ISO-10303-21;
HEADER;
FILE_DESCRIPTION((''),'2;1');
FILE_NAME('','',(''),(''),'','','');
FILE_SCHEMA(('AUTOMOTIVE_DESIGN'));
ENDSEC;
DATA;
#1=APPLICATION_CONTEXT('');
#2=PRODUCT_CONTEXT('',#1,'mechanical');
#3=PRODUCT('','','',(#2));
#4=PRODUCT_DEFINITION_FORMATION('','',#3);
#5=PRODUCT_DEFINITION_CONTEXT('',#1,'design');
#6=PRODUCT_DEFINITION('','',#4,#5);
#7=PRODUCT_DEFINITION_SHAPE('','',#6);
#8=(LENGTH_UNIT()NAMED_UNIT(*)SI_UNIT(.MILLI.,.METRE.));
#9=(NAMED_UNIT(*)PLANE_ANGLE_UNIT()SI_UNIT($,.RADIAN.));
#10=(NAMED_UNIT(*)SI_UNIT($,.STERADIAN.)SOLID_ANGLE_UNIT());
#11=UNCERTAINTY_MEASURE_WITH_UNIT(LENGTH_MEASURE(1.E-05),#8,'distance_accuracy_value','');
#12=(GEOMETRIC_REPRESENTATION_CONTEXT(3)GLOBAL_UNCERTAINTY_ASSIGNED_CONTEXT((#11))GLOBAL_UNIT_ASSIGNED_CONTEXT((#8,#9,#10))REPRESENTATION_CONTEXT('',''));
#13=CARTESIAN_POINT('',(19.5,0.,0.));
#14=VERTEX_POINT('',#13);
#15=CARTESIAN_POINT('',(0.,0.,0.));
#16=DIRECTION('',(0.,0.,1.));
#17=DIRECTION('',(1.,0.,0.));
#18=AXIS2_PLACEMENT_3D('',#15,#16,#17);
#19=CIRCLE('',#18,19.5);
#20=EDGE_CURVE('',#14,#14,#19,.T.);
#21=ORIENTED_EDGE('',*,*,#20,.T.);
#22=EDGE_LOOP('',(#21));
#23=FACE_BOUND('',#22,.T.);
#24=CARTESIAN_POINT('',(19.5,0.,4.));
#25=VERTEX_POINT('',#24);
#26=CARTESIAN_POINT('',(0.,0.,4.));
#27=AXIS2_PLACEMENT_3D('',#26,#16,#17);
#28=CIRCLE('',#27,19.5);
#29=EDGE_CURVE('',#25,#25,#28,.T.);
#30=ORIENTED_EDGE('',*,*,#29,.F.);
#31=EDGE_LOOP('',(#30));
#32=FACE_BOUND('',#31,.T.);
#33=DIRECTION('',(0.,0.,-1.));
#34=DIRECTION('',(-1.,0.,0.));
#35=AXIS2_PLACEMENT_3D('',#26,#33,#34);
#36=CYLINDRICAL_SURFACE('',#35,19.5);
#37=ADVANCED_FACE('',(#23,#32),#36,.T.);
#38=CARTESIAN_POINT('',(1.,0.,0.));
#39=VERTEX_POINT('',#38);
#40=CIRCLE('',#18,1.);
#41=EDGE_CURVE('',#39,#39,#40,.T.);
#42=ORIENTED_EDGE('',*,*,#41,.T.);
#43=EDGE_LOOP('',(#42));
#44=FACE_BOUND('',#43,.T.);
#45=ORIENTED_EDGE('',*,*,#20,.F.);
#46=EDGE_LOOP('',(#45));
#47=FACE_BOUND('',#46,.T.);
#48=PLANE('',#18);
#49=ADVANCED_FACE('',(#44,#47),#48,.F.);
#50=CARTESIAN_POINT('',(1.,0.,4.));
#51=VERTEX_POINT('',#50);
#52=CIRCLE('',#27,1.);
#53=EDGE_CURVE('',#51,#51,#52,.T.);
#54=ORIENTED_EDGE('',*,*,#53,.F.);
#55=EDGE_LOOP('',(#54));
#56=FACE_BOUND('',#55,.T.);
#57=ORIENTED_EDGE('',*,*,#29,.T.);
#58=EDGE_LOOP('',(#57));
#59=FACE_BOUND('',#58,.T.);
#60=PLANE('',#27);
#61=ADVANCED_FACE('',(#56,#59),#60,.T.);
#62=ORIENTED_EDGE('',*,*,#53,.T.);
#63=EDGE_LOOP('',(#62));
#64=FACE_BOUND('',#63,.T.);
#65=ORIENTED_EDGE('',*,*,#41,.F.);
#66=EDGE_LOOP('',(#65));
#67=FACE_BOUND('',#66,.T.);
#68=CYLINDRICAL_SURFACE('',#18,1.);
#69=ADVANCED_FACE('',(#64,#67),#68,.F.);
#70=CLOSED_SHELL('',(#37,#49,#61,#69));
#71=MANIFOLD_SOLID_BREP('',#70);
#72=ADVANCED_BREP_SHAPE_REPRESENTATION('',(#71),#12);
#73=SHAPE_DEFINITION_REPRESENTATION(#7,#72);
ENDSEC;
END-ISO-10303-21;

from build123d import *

# Parameters (mm, degrees)
SKETCH_1_R          = 19.5
EXTRUDE_1_DEPTH     = 4
SKETCH_2_R          = 1
CUT_EXTRUDE_1_DEPTH = 5


with BuildPart() as part:
    # 草图1 → 凸台-拉伸1 (new body)
    with BuildSketch(Plane.XY):
        Circle(SKETCH_1_R)
    extrude(amount=EXTRUDE_1_DEPTH)

    # 草图2 → 切除-拉伸1 (cut, through all)
    with BuildSketch(Plane.XY.offset(4)):
        Circle(SKETCH_2_R)
    extrude(amount=-CUT_EXTRUDE_1_DEPTH, mode=Mode.SUBTRACT)


solid = part.part
